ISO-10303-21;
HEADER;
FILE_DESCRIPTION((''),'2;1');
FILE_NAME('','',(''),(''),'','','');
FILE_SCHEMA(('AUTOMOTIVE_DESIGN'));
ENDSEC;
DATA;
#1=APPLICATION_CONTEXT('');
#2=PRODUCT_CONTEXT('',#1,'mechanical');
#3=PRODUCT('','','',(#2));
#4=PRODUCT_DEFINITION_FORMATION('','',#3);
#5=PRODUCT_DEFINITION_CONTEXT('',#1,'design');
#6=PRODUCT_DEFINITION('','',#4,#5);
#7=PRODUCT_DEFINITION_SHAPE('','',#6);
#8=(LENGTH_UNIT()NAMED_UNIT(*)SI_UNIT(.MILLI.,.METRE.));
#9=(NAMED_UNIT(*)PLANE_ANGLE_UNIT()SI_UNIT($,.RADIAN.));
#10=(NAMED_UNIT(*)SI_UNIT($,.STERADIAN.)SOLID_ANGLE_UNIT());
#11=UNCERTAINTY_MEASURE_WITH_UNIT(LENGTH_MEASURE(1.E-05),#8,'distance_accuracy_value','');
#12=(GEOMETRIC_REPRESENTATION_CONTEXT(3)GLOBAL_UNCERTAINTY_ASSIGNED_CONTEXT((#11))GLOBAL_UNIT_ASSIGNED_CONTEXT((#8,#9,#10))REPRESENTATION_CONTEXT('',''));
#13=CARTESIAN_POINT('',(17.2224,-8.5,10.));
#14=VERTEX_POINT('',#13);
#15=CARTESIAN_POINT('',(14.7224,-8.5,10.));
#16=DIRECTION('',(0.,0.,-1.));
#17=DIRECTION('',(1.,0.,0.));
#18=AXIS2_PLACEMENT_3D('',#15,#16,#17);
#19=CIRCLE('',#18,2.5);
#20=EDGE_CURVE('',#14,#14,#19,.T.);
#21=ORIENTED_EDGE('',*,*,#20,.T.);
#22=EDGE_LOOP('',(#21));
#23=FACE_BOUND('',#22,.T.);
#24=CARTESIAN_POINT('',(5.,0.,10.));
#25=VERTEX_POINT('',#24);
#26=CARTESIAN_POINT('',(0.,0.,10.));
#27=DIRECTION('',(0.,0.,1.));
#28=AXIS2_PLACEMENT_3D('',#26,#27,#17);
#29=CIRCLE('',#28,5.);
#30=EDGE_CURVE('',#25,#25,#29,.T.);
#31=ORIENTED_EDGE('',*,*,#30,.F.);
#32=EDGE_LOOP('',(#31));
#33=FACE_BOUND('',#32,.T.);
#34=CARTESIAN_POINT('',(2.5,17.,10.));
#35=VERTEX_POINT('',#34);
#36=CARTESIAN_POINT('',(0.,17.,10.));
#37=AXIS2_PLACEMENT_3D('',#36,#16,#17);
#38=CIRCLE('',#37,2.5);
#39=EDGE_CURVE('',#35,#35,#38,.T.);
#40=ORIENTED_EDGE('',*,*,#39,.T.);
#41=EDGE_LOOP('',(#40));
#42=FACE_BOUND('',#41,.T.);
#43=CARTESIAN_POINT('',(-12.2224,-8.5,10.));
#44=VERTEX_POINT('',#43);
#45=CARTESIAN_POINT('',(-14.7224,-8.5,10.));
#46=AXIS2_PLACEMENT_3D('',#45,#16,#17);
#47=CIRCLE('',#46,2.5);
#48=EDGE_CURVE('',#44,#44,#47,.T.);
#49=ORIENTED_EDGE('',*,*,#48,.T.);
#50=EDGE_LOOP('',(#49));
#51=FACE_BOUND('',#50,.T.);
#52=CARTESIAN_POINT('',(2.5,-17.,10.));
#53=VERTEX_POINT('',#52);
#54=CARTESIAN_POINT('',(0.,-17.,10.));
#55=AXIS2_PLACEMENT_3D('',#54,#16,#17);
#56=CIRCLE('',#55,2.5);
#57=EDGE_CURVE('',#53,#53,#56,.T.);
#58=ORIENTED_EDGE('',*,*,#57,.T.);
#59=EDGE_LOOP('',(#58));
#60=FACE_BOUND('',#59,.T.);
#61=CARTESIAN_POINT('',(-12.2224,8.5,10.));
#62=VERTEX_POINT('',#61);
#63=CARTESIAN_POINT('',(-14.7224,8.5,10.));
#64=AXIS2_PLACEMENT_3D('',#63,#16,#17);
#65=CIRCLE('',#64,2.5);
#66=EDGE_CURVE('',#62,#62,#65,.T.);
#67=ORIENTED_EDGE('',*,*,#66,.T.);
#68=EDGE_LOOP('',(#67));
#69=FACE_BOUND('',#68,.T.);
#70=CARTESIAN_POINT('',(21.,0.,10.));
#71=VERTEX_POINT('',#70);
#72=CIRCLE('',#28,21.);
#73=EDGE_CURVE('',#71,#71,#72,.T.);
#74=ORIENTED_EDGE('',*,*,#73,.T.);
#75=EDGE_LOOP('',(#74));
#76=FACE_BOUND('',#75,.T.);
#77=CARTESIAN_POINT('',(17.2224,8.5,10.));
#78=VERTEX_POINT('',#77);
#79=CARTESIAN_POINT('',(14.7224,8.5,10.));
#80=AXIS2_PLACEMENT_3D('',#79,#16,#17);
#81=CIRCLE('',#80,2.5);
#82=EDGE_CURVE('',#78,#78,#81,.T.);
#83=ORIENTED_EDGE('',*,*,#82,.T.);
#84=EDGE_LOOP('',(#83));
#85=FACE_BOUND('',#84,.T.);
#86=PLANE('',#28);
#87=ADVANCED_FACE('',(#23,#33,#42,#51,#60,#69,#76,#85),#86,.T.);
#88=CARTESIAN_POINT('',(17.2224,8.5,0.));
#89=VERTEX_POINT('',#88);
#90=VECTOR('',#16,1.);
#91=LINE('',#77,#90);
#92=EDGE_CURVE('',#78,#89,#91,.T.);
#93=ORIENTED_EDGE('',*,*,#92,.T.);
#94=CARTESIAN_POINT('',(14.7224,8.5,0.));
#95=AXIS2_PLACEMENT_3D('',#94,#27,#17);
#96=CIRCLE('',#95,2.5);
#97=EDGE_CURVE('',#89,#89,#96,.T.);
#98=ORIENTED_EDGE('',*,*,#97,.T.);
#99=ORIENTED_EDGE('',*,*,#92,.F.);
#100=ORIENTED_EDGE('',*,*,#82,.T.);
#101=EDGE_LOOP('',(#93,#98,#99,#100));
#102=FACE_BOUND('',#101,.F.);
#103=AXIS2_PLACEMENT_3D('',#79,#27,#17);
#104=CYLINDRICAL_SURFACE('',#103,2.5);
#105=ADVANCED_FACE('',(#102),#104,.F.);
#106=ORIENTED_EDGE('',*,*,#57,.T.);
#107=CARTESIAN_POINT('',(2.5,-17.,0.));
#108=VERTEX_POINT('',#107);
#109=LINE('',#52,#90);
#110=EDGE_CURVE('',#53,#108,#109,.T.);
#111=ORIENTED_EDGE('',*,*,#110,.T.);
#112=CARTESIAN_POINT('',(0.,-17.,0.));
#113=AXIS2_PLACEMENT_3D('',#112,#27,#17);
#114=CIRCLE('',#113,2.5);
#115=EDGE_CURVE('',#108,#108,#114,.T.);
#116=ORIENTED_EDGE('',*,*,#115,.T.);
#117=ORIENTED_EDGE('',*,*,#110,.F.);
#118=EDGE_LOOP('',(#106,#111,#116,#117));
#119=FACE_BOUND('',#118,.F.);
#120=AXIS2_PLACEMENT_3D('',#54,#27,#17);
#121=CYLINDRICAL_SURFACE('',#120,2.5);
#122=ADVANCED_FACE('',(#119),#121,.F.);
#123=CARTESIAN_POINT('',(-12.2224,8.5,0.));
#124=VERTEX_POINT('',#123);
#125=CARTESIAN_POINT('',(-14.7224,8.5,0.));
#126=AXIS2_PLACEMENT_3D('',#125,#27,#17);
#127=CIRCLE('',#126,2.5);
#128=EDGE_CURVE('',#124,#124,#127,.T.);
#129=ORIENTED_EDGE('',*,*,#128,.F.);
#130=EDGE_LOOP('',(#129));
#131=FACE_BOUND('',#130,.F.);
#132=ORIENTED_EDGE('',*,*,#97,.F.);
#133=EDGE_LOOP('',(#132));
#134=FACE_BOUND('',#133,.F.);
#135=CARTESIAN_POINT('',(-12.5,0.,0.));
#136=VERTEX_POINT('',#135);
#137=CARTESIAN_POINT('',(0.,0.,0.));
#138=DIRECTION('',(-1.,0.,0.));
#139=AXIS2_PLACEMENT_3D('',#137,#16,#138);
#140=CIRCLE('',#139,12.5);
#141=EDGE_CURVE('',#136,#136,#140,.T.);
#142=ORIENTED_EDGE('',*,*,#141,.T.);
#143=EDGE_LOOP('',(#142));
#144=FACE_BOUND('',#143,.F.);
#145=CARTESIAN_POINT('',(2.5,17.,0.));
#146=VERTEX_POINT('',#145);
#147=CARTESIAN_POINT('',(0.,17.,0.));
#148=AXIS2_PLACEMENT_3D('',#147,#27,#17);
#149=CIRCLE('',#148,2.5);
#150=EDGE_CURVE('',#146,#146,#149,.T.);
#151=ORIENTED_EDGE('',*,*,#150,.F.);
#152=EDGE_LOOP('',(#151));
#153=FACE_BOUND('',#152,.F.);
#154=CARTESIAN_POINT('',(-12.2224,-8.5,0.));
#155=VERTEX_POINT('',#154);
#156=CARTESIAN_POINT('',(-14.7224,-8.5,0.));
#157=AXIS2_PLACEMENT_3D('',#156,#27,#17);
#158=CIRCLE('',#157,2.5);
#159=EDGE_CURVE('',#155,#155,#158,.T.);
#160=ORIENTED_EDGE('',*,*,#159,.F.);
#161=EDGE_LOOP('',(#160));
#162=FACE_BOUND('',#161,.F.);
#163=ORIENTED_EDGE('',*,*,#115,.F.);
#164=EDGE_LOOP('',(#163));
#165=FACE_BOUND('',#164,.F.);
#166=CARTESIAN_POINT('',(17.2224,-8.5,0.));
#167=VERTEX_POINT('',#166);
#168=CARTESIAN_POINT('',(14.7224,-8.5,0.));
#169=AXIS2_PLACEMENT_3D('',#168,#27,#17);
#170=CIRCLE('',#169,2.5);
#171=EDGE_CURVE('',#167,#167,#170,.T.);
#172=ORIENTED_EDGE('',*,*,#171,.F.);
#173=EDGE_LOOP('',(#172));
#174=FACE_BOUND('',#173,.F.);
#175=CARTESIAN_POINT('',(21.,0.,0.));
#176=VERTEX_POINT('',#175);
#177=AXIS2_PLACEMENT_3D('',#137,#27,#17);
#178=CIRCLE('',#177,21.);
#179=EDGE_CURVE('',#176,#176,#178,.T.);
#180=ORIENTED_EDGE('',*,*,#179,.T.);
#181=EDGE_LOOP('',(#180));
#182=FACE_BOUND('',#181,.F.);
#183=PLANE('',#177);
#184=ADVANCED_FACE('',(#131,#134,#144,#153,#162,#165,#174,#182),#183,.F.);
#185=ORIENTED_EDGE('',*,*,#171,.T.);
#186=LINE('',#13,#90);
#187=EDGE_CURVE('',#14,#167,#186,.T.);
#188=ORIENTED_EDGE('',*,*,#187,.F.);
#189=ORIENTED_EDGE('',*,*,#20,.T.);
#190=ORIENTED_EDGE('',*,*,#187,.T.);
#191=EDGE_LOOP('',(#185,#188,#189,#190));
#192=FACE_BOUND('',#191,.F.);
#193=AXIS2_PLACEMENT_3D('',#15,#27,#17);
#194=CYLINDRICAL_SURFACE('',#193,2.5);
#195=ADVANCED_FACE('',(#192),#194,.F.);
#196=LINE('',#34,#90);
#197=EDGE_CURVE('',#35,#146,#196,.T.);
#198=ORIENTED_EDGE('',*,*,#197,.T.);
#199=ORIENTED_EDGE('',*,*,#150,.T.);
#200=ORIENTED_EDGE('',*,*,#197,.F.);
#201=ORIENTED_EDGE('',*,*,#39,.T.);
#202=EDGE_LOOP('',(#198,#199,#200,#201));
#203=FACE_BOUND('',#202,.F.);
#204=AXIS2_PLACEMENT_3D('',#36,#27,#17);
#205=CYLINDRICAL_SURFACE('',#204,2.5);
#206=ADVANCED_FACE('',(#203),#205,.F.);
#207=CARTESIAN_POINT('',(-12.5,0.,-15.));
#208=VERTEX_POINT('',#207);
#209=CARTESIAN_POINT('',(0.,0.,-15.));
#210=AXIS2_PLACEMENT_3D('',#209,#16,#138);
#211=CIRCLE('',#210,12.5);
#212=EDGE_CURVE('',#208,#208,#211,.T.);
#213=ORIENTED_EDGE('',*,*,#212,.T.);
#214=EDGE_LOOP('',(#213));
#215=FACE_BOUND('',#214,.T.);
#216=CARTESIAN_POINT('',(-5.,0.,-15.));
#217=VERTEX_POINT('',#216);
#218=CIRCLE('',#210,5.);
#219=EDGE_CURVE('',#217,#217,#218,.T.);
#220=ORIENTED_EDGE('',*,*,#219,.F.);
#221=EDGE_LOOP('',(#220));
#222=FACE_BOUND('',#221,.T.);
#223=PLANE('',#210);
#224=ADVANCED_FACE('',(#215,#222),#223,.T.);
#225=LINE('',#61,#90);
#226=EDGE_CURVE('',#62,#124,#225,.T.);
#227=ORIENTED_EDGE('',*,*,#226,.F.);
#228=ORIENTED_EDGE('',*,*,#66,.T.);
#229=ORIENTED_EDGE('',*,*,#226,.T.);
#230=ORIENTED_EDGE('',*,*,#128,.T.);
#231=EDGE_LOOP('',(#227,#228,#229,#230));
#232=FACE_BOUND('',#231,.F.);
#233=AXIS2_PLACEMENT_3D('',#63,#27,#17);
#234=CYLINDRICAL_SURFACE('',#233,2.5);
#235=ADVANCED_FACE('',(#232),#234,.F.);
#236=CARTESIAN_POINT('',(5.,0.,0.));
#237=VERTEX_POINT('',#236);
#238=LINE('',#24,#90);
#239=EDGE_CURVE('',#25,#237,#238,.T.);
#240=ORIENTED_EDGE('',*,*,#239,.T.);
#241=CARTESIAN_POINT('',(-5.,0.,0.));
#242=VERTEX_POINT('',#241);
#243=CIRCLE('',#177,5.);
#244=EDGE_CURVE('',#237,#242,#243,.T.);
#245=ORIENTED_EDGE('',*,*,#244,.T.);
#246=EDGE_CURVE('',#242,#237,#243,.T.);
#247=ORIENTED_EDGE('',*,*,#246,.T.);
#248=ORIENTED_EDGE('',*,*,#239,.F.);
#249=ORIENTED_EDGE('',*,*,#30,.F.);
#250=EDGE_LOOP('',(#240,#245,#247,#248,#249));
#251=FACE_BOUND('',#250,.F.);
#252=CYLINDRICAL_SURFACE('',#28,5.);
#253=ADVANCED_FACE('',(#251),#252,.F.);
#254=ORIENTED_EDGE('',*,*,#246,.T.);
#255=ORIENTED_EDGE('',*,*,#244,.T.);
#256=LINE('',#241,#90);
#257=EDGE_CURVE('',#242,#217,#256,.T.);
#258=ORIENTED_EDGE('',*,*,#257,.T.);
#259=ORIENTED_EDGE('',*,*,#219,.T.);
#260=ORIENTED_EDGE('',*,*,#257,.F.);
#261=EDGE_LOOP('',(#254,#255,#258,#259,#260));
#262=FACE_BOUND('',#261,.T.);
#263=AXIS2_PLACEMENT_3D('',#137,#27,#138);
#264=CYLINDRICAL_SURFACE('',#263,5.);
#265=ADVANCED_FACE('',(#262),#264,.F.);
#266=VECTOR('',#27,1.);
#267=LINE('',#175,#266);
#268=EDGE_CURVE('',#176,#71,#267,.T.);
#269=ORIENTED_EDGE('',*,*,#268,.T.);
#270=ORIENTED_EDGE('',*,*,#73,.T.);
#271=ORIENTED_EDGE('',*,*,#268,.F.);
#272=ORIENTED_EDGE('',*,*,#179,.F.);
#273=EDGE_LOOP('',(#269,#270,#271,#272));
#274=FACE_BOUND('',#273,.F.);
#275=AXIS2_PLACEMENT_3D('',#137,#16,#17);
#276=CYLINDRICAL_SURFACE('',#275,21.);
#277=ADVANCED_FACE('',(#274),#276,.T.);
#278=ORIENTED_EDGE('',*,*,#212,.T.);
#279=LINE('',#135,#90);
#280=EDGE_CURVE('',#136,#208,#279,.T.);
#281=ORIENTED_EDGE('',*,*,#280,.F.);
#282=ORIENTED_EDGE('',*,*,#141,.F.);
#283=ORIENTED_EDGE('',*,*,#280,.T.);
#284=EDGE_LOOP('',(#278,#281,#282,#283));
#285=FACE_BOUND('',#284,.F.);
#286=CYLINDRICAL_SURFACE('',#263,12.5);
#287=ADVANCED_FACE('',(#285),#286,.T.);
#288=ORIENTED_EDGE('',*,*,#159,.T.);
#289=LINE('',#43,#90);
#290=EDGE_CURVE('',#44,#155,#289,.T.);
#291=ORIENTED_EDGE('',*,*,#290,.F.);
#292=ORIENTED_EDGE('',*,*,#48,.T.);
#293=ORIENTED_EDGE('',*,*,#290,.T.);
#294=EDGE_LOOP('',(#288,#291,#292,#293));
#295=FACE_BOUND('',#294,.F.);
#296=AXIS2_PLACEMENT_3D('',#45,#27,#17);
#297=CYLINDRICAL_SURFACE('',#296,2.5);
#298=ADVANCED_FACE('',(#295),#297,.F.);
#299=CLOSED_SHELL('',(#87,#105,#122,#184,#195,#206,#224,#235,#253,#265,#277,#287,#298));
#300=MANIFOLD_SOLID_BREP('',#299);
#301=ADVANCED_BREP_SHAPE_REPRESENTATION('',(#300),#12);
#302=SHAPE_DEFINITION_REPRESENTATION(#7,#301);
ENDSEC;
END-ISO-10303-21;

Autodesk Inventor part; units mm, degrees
ref_plane "YZ Plane" through (0, 0, 0) normal (1, 0, 0) x (0, 1, 0)
ref_plane "XZ Plane" through (0, 0, 0) normal (0, 1, 0) x (-1, 0, 0)
ref_plane "XY Plane" through (0, 0, 0) normal (0, 0, 1) x (1, 0, 0)
sketch "Szkic1" plane through (0, 0, 0) normal (0, 0, 1) x (1, 0, 0)
  circle A0 centre (0, 0) radius 21
  dimension "d0" = 42
extrude "Wyciągnięcie proste1" add sketch "Szkic1" along normal blind 10
sketch "Szkic2" plane through (0, 0, 10) normal (0, 0, 1) x (1, 0, 0)
  circle A0 centre (0, 0) radius 17
  circle A1 centre (0, 17) radius 2.5
  circle A2 centre (14.7224, 8.5) radius 2.5
  circle A3 centre (14.7224, -8.5) radius 2.5
  circle A4 centre (0, -17) radius 2.5
  circle A5 centre (-14.7224, -8.5) radius 2.5
  circle A6 centre (-14.7224, 8.5) radius 2.5
  dimension "d3" = 34
  dimension "d4" = 5
  dimension "d7" = 360
extrude "Wyciągnięcie proste2" cut sketch "Szkic2" against normal up to next contours A2 A0 | A0 A2 | A3 A0 | A0 A3 | A1 A0 | A0 A1 | A4 A0 | A0 A4 | A6 A0 | A0 A6 | A5 A0 | A0 A5
sketch "Szkic3" plane through (0, 0, 10) normal (0, 0, 1) x (1, 0, 0)
  circle A0 centre (0, 0) radius 5
  dimension "d11" = 10
extrude "Wyciągnięcie proste3" cut sketch "Szkic3" against normal up to next
sketch "Szkic4" plane through (0, 0, 0) normal (0, 0, -1) x (-1, 0, 0)
  circle A0 centre (0, 0) radius 5 projected
  circle A1 centre (0, 0) radius 12.5
  dimension "d14" = 25
extrude "Wyciągnięcie proste4" add sketch "Szkic4" along normal blind 15
thread "Gwint1" size "TR10x2" class "7H" standard "ISO Metric Trapezoidal Threads" full length
properties part number "Nakrętka trapezowa kołnierzowa JFRM-2525TR10x3"
